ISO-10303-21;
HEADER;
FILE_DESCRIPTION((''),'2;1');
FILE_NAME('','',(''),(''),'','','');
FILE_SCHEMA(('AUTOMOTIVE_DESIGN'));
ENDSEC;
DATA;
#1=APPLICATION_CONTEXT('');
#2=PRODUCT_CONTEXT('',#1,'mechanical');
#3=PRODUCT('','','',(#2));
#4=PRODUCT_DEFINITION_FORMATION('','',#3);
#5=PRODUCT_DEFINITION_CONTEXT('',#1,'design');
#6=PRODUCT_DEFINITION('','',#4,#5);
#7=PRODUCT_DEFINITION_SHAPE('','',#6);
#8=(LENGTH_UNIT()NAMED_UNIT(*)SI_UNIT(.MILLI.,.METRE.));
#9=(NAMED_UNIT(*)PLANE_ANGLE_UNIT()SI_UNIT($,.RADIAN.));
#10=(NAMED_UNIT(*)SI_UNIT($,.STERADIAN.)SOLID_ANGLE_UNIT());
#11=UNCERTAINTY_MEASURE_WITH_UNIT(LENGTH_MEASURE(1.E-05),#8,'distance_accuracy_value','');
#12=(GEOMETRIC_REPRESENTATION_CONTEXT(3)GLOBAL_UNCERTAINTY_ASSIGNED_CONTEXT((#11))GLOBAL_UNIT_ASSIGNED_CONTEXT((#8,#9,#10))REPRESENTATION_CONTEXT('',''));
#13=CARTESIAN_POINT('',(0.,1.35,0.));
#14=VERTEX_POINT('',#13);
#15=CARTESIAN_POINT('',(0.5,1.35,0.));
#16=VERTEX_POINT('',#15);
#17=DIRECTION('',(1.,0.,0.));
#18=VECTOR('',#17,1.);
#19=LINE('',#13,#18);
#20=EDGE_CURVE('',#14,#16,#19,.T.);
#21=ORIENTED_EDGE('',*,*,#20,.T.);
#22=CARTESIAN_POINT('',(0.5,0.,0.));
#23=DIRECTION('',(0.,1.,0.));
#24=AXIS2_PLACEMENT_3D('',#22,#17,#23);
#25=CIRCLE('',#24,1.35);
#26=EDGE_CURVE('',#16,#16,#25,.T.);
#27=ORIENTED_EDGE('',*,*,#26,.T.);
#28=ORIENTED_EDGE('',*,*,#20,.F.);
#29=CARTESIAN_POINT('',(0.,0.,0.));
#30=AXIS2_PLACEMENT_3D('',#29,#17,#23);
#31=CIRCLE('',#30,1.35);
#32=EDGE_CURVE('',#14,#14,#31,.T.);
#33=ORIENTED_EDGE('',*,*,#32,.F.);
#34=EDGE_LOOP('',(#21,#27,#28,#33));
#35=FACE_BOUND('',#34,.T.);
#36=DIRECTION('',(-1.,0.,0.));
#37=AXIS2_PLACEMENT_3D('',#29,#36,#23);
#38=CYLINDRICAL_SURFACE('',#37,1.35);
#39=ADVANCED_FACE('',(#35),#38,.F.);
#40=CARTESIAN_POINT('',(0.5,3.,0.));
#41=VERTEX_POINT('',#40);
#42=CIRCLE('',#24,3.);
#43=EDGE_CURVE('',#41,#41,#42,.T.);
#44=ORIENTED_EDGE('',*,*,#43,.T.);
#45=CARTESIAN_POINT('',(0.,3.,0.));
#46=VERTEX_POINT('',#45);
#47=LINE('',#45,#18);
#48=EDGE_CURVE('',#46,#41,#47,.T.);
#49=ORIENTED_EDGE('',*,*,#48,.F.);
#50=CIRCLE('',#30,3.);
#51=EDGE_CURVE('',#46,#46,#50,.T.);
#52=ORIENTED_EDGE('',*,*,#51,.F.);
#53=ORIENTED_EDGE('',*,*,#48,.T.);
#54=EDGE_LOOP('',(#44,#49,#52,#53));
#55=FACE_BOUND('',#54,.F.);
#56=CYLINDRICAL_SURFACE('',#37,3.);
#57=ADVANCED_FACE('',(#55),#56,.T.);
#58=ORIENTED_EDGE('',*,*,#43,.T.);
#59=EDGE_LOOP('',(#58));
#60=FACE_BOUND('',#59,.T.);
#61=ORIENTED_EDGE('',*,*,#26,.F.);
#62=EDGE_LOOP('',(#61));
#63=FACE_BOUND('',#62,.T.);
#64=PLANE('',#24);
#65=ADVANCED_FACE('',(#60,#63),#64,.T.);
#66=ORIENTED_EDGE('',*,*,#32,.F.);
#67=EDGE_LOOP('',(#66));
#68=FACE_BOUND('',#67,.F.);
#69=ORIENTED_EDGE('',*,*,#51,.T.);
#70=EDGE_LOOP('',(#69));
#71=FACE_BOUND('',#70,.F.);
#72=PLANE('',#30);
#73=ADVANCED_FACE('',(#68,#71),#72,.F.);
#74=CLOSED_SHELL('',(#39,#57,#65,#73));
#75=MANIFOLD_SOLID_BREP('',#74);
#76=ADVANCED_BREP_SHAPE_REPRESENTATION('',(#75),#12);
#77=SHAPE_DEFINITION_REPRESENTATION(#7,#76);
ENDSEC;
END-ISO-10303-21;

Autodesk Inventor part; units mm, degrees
ref_plane "YZ Plane" through (0, 0, 0) normal (1, 0, 0) x (0, 1, 0)
ref_plane "XZ Plane" through (0, 0, 0) normal (0, 1, 0) x (-1, 0, 0)
sketch "Skizze" plane through (0, 0, 0) normal (1, 0, 0) x (0, 1, 0)
  circle A0 centre (0, 0) radius 3
  circle A1 centre (0, 0) radius 1.35
  dimension "d0" = 2.7
  dimension "d1" = 6
extrude "Körper" add sketch "Skizze" along normal blind 0.5
ref_plane "Work Plane1" through (0, 0, 0) normal (0, 0, 1) x (1, 0, 0)
equation "\"d0\" = SD1"
equation "\"d1\" = SD2"
equation "\"d2\" = SD"
equation "\"SD1\" = 2.7"
equation "\"SD2\" = 6"
equation "\"SD\" = 0.5"
equation "\"NND\" = 2.5"
properties part number "DIN 125 - A 2,7" material "Stahl, weich"
